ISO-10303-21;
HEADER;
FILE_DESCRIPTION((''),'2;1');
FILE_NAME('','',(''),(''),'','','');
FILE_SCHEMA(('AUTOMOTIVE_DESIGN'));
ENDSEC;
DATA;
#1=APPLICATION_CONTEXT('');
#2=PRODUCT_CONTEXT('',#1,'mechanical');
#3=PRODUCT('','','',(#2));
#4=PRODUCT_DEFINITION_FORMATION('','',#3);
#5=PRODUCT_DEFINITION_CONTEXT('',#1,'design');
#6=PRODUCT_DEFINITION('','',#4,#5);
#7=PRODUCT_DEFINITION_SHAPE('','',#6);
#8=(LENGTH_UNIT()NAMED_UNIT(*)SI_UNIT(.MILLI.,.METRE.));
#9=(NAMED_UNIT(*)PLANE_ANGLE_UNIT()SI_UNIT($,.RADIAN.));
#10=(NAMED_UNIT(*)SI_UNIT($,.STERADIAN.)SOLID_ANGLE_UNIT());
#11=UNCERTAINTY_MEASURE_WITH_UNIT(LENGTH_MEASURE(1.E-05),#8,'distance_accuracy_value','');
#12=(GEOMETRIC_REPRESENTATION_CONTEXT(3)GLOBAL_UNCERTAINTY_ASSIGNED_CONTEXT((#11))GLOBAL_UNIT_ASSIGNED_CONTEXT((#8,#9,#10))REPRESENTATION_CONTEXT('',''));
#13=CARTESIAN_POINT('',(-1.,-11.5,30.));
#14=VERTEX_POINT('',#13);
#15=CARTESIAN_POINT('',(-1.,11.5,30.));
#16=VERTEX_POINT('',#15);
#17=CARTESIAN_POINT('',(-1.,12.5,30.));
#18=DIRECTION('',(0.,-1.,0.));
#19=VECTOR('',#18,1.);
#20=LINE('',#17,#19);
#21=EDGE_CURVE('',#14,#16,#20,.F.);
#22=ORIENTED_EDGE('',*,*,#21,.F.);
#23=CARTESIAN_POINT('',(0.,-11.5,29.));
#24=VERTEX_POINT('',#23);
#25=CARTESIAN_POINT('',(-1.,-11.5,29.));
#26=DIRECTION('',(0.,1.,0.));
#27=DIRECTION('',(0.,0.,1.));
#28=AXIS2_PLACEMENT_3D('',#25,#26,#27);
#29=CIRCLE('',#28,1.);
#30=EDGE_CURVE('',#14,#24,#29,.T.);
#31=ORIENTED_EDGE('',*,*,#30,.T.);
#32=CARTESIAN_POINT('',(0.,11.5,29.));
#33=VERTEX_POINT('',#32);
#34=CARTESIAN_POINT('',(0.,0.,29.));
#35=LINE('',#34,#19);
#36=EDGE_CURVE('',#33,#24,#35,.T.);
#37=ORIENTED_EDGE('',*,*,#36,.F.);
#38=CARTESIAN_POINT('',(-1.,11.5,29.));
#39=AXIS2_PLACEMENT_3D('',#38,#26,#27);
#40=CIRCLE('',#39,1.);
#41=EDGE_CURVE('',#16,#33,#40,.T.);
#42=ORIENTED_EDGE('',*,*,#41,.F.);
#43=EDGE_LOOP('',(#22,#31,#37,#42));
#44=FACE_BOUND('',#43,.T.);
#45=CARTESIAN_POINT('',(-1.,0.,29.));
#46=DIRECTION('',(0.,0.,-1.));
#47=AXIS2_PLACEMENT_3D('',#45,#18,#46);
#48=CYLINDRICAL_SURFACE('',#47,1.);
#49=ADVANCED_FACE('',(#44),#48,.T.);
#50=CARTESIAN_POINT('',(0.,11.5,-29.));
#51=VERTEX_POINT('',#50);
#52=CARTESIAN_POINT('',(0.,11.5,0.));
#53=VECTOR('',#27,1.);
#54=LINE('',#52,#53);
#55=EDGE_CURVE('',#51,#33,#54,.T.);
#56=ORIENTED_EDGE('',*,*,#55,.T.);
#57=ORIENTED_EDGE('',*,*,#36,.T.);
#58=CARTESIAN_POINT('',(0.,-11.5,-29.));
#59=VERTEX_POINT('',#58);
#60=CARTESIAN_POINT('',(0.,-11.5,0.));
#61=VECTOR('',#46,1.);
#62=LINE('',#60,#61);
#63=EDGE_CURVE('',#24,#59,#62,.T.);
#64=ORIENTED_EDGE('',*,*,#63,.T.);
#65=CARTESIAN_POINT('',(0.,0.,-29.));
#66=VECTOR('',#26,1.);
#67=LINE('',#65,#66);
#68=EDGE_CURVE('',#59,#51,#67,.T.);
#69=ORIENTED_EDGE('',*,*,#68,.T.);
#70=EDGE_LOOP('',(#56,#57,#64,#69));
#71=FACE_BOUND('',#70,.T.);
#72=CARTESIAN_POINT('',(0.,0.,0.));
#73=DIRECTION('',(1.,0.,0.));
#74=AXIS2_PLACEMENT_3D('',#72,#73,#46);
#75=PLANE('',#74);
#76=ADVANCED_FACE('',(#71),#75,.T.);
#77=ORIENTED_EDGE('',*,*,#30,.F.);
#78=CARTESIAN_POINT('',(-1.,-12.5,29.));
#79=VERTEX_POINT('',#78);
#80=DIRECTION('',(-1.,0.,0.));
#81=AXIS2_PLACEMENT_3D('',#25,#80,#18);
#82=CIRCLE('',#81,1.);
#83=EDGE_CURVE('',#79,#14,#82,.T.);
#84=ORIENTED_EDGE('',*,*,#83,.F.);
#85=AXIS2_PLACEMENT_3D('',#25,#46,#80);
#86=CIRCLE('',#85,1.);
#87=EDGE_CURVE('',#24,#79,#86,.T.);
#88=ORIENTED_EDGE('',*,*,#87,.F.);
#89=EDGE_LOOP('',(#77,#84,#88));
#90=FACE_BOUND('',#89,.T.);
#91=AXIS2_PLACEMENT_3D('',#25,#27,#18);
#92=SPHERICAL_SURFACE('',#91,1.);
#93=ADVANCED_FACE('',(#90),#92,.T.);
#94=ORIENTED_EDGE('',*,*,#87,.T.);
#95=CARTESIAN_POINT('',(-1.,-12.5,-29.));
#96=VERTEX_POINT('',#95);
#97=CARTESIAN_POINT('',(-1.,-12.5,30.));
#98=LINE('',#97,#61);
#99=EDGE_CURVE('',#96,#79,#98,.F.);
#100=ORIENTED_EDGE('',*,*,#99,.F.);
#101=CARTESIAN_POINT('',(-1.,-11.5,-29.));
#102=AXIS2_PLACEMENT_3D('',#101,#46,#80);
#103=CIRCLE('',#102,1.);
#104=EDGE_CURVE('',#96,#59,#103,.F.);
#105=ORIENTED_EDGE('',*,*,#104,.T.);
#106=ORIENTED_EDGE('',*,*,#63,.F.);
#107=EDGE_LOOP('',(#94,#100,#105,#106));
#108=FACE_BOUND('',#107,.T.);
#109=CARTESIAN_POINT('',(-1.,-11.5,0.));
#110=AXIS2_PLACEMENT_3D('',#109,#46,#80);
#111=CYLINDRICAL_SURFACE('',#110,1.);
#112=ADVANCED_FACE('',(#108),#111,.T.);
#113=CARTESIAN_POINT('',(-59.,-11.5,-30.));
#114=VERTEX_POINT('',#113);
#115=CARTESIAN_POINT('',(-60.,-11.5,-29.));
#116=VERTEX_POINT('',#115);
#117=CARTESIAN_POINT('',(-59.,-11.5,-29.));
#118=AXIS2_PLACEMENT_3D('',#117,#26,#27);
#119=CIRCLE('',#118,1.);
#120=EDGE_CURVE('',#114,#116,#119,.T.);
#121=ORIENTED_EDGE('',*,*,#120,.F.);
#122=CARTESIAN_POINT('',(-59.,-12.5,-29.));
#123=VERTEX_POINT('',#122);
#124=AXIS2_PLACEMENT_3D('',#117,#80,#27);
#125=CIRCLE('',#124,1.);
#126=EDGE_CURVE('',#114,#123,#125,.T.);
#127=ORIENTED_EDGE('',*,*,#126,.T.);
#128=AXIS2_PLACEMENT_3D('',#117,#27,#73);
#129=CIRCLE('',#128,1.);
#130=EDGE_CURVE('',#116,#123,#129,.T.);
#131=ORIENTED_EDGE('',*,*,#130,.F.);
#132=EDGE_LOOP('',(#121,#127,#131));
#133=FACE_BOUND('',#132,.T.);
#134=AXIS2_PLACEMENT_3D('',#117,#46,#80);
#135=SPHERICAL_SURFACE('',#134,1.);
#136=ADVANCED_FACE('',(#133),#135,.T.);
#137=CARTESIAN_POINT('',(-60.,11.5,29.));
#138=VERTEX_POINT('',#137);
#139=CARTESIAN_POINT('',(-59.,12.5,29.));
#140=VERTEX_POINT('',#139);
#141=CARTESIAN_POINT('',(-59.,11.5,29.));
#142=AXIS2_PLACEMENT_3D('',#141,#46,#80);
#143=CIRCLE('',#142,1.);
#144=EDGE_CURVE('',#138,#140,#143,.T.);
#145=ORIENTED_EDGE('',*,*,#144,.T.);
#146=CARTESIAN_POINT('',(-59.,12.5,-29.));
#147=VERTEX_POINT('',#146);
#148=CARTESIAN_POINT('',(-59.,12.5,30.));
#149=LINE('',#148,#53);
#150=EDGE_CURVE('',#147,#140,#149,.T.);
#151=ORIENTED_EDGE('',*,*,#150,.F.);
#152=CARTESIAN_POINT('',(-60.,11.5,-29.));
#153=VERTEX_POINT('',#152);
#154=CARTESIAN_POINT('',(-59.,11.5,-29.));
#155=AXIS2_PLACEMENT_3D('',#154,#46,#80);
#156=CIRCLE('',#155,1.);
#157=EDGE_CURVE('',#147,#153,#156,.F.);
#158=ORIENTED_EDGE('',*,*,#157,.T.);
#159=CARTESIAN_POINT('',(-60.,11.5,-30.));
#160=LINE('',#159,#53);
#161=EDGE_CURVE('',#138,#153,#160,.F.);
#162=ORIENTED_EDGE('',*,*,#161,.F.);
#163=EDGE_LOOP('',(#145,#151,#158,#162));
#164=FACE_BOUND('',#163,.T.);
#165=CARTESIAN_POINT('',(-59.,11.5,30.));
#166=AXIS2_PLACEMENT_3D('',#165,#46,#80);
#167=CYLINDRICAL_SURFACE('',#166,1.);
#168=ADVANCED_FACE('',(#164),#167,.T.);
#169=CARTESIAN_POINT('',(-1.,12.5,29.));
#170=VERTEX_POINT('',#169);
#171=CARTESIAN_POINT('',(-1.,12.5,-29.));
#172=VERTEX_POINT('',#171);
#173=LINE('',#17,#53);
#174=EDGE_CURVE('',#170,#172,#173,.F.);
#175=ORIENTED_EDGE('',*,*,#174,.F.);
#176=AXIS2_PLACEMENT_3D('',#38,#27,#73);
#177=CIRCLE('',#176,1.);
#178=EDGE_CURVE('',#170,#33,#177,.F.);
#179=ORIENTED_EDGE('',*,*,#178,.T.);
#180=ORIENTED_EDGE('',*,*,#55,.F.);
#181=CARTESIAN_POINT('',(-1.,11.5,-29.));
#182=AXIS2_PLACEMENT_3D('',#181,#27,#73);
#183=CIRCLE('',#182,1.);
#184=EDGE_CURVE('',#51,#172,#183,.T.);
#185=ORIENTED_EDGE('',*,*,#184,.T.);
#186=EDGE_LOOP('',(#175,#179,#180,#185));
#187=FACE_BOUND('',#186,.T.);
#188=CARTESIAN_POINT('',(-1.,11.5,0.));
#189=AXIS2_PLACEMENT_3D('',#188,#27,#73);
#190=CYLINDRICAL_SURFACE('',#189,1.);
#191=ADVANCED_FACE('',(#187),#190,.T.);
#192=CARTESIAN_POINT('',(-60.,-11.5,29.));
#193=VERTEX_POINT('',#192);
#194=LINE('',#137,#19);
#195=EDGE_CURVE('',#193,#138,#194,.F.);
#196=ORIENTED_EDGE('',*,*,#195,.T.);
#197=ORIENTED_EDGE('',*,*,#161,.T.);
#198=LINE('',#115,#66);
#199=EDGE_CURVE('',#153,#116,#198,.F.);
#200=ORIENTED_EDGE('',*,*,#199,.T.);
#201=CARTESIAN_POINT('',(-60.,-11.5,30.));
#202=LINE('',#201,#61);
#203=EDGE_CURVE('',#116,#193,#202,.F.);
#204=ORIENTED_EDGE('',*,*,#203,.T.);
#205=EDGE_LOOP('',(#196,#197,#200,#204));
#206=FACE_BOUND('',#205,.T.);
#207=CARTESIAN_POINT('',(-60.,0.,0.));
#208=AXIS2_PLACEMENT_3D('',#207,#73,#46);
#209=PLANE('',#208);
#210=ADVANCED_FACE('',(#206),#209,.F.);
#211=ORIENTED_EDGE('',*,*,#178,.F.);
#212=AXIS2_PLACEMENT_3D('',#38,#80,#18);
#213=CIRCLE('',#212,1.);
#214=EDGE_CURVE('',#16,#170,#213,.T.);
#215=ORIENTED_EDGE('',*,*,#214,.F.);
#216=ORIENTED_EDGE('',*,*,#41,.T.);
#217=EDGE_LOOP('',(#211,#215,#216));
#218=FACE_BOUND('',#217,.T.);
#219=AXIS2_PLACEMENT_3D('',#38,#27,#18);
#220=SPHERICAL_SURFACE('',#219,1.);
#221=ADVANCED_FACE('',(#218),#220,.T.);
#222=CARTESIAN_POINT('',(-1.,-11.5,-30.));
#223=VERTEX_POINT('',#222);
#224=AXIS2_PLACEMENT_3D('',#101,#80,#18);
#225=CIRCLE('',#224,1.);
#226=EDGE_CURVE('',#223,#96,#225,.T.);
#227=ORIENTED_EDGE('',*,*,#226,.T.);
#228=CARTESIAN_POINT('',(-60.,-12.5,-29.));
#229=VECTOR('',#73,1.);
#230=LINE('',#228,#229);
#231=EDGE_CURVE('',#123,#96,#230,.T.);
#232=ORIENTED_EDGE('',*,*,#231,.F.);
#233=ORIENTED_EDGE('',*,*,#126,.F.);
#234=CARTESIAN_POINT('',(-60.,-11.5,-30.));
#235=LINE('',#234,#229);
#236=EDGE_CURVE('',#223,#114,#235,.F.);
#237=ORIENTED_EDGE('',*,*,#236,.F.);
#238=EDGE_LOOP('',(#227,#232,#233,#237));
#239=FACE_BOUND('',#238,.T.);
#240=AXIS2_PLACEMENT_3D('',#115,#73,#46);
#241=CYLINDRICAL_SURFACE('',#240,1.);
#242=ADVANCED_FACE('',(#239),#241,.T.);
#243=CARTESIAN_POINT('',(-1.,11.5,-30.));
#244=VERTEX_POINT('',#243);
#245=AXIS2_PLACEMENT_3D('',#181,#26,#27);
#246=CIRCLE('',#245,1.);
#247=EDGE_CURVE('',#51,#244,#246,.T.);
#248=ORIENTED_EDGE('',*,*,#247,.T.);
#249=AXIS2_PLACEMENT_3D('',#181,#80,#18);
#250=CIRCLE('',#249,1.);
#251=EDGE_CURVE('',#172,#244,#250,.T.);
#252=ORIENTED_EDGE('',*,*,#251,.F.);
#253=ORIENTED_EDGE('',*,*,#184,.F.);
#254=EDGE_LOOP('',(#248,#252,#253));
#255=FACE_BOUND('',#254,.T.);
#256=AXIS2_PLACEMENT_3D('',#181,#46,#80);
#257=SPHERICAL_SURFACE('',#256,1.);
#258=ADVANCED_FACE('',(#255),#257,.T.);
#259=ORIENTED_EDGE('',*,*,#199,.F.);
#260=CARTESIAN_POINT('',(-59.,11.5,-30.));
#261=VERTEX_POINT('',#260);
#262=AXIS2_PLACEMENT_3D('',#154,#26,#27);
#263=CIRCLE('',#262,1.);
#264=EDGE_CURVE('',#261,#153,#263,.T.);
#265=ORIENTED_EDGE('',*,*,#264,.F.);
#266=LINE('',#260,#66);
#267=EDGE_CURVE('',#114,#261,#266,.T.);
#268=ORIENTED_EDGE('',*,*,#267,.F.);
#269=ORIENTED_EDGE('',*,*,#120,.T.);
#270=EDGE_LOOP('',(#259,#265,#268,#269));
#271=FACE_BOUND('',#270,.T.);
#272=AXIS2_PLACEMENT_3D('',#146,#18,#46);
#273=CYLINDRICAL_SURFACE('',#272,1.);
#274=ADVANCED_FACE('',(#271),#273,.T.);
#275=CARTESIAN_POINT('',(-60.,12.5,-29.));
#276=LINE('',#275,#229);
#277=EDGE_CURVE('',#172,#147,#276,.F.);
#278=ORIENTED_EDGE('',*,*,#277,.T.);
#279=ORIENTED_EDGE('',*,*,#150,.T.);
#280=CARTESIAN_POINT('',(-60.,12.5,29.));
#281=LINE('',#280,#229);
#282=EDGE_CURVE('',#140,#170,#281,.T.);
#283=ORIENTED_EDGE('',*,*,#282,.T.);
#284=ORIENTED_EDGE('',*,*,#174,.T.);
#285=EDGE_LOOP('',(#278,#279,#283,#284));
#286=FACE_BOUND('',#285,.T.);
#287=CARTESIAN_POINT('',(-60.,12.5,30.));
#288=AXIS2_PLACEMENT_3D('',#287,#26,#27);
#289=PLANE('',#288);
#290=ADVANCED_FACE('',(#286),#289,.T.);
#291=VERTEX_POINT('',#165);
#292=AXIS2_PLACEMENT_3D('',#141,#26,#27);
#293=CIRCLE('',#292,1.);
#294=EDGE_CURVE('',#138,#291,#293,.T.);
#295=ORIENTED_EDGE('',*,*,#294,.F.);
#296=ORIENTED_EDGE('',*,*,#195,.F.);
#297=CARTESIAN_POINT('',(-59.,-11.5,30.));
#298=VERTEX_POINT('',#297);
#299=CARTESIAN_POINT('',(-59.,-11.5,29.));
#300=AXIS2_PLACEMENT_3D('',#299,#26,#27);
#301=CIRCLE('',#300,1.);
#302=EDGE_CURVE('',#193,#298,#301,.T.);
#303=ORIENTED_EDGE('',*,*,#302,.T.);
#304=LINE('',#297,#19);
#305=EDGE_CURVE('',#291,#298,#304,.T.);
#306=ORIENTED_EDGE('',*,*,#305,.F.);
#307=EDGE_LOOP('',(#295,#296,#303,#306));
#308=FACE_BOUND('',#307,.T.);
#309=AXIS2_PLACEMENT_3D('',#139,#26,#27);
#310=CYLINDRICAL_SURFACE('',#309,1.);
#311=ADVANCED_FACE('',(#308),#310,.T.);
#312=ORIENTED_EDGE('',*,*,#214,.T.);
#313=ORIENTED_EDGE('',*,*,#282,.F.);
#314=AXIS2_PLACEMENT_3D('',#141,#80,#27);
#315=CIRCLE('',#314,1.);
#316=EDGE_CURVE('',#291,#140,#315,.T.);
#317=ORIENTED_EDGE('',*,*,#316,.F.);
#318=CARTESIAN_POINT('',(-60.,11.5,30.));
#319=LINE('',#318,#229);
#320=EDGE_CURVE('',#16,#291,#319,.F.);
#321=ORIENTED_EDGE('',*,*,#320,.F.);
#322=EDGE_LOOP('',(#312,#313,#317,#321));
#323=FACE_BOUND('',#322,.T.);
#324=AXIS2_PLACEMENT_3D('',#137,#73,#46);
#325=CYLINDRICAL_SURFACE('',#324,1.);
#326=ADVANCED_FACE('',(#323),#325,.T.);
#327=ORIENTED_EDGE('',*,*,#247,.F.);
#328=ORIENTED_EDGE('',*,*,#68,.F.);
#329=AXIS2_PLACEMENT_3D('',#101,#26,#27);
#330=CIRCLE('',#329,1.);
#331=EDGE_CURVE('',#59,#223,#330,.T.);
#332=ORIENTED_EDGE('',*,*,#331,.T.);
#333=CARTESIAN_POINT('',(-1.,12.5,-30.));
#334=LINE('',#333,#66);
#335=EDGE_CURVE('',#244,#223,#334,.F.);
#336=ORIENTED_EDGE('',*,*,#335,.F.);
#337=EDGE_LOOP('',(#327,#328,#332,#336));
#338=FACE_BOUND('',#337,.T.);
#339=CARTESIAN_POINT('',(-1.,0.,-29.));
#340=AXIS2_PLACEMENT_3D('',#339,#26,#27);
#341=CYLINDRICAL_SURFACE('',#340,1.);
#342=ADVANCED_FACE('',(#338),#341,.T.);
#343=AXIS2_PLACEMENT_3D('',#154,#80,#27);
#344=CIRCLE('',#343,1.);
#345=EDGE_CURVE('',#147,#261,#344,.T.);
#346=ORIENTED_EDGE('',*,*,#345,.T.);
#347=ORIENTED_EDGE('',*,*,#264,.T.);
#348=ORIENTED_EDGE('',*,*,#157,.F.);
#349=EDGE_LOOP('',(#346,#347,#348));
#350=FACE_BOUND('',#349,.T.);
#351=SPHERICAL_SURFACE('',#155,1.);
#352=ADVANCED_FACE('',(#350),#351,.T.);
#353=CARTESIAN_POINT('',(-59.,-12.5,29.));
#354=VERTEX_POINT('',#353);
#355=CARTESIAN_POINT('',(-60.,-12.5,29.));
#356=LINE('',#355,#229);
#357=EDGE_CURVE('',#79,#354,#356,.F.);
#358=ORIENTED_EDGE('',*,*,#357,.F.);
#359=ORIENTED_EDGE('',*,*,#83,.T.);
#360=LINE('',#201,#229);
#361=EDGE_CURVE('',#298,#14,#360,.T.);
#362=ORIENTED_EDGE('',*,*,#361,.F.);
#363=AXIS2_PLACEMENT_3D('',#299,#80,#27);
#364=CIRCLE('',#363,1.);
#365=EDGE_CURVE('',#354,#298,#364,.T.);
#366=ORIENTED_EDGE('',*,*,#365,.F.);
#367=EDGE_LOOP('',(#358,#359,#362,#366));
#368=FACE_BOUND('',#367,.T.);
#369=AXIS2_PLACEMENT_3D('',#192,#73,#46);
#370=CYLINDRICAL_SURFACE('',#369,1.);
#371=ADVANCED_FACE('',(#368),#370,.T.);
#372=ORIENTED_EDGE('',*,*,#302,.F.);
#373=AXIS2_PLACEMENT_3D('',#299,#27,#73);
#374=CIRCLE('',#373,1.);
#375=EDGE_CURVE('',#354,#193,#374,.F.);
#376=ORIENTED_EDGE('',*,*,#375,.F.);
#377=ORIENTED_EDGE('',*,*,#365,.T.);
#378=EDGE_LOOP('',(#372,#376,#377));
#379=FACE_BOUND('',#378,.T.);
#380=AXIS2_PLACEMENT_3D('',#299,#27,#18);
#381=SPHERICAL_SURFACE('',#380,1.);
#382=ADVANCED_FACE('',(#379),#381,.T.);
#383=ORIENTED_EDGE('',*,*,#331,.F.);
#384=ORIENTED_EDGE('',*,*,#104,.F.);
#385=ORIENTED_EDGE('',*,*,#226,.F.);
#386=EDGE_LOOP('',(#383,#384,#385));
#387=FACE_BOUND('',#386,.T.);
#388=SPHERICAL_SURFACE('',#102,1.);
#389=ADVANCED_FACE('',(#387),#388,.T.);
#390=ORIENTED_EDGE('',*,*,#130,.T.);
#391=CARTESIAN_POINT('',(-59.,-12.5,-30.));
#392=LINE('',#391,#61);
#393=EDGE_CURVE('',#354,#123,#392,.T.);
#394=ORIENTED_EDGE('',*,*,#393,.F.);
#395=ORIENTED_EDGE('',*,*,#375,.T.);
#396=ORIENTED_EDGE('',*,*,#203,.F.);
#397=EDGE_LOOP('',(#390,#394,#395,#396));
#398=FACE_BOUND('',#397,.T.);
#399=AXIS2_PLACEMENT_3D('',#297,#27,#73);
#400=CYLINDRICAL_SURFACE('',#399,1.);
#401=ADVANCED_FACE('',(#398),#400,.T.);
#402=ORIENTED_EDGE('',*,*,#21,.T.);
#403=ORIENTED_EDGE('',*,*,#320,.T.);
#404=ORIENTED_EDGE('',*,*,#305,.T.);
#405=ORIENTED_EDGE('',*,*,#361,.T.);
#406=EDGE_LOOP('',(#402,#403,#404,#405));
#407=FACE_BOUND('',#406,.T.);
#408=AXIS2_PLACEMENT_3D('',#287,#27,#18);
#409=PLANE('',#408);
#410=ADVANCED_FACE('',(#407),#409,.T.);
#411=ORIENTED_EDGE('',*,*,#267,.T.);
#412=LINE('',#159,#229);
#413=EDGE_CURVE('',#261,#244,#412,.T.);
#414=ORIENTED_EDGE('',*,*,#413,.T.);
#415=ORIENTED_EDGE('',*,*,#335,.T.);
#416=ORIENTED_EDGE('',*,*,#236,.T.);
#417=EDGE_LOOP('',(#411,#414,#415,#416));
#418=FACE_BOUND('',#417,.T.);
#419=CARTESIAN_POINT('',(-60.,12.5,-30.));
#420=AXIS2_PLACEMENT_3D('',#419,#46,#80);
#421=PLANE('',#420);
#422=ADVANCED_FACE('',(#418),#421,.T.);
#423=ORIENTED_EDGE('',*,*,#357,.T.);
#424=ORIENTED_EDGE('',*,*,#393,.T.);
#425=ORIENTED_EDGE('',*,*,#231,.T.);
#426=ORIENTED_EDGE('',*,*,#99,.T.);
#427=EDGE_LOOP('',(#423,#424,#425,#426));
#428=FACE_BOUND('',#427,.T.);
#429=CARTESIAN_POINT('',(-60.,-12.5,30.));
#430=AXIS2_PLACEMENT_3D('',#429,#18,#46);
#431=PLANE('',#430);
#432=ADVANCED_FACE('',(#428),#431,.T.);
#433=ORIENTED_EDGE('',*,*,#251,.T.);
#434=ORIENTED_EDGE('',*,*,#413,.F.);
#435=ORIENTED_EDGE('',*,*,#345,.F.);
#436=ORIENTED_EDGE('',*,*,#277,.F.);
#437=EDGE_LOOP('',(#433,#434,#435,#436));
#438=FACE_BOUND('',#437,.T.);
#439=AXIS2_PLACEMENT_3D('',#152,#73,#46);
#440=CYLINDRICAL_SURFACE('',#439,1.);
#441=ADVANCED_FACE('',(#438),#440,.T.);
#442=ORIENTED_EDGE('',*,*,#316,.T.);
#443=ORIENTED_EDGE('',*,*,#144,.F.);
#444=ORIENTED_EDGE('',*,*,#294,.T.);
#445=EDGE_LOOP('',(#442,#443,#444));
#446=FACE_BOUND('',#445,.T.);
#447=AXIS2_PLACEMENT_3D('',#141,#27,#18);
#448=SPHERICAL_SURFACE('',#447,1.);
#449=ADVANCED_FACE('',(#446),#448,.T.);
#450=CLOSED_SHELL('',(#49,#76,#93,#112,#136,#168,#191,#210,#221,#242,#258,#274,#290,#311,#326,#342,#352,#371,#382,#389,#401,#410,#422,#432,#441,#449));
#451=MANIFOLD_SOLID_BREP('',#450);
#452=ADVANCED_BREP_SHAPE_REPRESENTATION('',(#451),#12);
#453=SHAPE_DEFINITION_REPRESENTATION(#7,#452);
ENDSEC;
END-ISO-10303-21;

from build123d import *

# Parameters (mm, degrees)
SKETCH1_W           = 60
SKETCH1_H           = 25
BOSS_EXTRUDE1_DEPTH = 60
FILLET1_R           = 1
FILLET2_R           = 1


with BuildPart() as part:
    # Sketch1 → Boss-Extrude1 (new body)
    with BuildSketch(Plane(origin=(0, 0, 0), x_dir=(0, 0, -1), z_dir=(1, 0, 0))):
        Rectangle(SKETCH1_W, SKETCH1_H)
    extrude(amount=-BOSS_EXTRUDE1_DEPTH)

    # Fillet1
    fillet1_edges = [part.edges().sort_by_distance(p)[0] for p in [
        (-60, -12.5, 0),
        (0, -12.5, 0),
        (0, 12.5, 0),
        (-60, 12.5, 0),
    ]]
    fillet(fillet1_edges, radius=FILLET1_R)

    # Fillet2
    fillet2_edges = [part.edges().sort_by_distance(p)[0] for p in [
        (-30, 12.5, -30),
        (-30, 12.5, 30),
        (0, 0, 30),
        (-60, 0, 30),
        (-30, -12.5, 30),
        (-0.292893219, 12.207106781, 30),
        (-0.292893219, -12.207106781, 30),
        (-59.707106781, -12.207106781, 30),
        (-59.707106781, 12.207106781, 30),
        (-60, 0, -30),
        (0, 0, -30),
        (-30, -12.5, -30),
        (-0.292893219, 12.207106781, -30),
        (-0.292893219, -12.207106781, -30),
        (-59.707106781, -12.207106781, -30),
        (-59.707106781, 12.207106781, -30),
    ]]
    fillet(fillet2_edges, radius=FILLET2_R)


solid = part.part
